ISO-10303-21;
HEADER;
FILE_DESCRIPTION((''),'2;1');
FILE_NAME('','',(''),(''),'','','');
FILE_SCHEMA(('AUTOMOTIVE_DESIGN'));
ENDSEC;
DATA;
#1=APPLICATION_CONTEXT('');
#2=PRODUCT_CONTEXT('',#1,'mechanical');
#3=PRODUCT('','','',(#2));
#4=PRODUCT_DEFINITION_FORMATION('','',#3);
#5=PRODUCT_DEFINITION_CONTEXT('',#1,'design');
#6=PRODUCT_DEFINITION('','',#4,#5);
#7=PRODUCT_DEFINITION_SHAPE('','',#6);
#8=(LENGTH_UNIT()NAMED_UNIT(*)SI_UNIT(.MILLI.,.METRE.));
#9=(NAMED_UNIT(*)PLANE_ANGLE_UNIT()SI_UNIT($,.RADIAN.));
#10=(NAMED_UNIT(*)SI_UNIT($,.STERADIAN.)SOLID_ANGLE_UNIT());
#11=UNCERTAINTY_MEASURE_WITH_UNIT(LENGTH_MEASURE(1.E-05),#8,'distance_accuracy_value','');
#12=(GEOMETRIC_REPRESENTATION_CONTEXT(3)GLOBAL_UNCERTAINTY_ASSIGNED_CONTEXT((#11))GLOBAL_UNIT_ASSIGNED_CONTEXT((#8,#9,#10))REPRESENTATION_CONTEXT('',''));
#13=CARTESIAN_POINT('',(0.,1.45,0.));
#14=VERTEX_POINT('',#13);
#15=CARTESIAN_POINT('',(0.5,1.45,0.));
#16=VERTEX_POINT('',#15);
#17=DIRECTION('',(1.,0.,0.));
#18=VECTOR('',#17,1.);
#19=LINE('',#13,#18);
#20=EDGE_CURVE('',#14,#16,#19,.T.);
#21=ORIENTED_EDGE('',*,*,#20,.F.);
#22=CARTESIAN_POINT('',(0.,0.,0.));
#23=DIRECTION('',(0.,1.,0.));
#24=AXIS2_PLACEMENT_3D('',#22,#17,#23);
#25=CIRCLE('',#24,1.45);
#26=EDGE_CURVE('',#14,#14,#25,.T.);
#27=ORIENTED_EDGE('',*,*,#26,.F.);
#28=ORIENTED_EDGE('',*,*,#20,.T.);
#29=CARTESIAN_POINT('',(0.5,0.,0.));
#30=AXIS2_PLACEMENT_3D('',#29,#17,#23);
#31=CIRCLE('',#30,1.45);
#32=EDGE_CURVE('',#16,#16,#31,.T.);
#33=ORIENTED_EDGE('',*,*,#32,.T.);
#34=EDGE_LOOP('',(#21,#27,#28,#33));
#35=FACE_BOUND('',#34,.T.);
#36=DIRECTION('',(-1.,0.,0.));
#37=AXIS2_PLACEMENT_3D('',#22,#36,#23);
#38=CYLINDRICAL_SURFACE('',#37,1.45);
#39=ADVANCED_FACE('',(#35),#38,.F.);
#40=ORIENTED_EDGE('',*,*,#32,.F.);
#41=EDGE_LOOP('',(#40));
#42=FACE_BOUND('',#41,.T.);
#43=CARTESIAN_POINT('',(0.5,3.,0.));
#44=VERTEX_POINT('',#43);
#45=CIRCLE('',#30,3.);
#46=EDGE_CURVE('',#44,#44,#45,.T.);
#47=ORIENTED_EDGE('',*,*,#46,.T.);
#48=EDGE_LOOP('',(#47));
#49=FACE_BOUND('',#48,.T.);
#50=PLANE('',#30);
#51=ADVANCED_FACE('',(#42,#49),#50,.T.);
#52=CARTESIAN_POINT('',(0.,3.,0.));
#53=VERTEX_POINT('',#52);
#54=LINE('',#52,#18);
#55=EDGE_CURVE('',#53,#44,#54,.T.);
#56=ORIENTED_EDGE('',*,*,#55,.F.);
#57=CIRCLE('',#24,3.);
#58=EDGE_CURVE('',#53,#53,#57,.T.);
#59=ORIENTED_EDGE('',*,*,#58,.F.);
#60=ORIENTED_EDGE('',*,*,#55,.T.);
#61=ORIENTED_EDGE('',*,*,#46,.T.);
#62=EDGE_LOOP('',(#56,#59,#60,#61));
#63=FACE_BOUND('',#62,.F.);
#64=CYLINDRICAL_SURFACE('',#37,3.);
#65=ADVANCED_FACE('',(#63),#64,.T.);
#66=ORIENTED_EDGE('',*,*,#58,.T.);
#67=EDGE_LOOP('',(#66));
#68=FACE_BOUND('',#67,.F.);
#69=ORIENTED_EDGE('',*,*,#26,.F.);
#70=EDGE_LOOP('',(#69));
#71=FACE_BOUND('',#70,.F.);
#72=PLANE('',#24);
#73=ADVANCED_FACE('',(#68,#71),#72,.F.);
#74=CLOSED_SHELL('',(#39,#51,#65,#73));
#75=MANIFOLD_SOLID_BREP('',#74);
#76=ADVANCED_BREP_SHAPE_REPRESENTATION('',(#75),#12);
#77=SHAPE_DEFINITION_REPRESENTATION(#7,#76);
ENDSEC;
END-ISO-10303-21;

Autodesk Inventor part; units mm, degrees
ref_plane "YZ Plane" through (0, 0, 0) normal (1, 0, 0) x (0, 1, 0)
ref_plane "XZ Plane" through (0, 0, 0) normal (0, 1, 0) x (-1, 0, 0)
sketch "Skizze" plane through (0, 0, 0) normal (1, 0, 0) x (0, 1, 0)
  circle A0 centre (0, 0) radius 3
  circle A1 centre (0, 0) radius 1.45
  dimension "d0" = 2.9
  dimension "d1" = 6
extrude "Körper" add sketch "Skizze" along normal blind 0.5
ref_plane "Work Plane1" through (0, 0, 0) normal (0, 0, 1) x (1, 0, 0)
equation "\"d0\" = SD1"
equation "\"d1\" = SD2"
equation "\"d2\" = SD"
equation "\"SD1\" = 2.9"
equation "\"SD2\" = 6"
equation "\"SD\" = 0.5"
equation "\"NND\" = 2.5"
properties part number "ISO 7091 - ST 2,5 - 100 HV" material "Stahl"
